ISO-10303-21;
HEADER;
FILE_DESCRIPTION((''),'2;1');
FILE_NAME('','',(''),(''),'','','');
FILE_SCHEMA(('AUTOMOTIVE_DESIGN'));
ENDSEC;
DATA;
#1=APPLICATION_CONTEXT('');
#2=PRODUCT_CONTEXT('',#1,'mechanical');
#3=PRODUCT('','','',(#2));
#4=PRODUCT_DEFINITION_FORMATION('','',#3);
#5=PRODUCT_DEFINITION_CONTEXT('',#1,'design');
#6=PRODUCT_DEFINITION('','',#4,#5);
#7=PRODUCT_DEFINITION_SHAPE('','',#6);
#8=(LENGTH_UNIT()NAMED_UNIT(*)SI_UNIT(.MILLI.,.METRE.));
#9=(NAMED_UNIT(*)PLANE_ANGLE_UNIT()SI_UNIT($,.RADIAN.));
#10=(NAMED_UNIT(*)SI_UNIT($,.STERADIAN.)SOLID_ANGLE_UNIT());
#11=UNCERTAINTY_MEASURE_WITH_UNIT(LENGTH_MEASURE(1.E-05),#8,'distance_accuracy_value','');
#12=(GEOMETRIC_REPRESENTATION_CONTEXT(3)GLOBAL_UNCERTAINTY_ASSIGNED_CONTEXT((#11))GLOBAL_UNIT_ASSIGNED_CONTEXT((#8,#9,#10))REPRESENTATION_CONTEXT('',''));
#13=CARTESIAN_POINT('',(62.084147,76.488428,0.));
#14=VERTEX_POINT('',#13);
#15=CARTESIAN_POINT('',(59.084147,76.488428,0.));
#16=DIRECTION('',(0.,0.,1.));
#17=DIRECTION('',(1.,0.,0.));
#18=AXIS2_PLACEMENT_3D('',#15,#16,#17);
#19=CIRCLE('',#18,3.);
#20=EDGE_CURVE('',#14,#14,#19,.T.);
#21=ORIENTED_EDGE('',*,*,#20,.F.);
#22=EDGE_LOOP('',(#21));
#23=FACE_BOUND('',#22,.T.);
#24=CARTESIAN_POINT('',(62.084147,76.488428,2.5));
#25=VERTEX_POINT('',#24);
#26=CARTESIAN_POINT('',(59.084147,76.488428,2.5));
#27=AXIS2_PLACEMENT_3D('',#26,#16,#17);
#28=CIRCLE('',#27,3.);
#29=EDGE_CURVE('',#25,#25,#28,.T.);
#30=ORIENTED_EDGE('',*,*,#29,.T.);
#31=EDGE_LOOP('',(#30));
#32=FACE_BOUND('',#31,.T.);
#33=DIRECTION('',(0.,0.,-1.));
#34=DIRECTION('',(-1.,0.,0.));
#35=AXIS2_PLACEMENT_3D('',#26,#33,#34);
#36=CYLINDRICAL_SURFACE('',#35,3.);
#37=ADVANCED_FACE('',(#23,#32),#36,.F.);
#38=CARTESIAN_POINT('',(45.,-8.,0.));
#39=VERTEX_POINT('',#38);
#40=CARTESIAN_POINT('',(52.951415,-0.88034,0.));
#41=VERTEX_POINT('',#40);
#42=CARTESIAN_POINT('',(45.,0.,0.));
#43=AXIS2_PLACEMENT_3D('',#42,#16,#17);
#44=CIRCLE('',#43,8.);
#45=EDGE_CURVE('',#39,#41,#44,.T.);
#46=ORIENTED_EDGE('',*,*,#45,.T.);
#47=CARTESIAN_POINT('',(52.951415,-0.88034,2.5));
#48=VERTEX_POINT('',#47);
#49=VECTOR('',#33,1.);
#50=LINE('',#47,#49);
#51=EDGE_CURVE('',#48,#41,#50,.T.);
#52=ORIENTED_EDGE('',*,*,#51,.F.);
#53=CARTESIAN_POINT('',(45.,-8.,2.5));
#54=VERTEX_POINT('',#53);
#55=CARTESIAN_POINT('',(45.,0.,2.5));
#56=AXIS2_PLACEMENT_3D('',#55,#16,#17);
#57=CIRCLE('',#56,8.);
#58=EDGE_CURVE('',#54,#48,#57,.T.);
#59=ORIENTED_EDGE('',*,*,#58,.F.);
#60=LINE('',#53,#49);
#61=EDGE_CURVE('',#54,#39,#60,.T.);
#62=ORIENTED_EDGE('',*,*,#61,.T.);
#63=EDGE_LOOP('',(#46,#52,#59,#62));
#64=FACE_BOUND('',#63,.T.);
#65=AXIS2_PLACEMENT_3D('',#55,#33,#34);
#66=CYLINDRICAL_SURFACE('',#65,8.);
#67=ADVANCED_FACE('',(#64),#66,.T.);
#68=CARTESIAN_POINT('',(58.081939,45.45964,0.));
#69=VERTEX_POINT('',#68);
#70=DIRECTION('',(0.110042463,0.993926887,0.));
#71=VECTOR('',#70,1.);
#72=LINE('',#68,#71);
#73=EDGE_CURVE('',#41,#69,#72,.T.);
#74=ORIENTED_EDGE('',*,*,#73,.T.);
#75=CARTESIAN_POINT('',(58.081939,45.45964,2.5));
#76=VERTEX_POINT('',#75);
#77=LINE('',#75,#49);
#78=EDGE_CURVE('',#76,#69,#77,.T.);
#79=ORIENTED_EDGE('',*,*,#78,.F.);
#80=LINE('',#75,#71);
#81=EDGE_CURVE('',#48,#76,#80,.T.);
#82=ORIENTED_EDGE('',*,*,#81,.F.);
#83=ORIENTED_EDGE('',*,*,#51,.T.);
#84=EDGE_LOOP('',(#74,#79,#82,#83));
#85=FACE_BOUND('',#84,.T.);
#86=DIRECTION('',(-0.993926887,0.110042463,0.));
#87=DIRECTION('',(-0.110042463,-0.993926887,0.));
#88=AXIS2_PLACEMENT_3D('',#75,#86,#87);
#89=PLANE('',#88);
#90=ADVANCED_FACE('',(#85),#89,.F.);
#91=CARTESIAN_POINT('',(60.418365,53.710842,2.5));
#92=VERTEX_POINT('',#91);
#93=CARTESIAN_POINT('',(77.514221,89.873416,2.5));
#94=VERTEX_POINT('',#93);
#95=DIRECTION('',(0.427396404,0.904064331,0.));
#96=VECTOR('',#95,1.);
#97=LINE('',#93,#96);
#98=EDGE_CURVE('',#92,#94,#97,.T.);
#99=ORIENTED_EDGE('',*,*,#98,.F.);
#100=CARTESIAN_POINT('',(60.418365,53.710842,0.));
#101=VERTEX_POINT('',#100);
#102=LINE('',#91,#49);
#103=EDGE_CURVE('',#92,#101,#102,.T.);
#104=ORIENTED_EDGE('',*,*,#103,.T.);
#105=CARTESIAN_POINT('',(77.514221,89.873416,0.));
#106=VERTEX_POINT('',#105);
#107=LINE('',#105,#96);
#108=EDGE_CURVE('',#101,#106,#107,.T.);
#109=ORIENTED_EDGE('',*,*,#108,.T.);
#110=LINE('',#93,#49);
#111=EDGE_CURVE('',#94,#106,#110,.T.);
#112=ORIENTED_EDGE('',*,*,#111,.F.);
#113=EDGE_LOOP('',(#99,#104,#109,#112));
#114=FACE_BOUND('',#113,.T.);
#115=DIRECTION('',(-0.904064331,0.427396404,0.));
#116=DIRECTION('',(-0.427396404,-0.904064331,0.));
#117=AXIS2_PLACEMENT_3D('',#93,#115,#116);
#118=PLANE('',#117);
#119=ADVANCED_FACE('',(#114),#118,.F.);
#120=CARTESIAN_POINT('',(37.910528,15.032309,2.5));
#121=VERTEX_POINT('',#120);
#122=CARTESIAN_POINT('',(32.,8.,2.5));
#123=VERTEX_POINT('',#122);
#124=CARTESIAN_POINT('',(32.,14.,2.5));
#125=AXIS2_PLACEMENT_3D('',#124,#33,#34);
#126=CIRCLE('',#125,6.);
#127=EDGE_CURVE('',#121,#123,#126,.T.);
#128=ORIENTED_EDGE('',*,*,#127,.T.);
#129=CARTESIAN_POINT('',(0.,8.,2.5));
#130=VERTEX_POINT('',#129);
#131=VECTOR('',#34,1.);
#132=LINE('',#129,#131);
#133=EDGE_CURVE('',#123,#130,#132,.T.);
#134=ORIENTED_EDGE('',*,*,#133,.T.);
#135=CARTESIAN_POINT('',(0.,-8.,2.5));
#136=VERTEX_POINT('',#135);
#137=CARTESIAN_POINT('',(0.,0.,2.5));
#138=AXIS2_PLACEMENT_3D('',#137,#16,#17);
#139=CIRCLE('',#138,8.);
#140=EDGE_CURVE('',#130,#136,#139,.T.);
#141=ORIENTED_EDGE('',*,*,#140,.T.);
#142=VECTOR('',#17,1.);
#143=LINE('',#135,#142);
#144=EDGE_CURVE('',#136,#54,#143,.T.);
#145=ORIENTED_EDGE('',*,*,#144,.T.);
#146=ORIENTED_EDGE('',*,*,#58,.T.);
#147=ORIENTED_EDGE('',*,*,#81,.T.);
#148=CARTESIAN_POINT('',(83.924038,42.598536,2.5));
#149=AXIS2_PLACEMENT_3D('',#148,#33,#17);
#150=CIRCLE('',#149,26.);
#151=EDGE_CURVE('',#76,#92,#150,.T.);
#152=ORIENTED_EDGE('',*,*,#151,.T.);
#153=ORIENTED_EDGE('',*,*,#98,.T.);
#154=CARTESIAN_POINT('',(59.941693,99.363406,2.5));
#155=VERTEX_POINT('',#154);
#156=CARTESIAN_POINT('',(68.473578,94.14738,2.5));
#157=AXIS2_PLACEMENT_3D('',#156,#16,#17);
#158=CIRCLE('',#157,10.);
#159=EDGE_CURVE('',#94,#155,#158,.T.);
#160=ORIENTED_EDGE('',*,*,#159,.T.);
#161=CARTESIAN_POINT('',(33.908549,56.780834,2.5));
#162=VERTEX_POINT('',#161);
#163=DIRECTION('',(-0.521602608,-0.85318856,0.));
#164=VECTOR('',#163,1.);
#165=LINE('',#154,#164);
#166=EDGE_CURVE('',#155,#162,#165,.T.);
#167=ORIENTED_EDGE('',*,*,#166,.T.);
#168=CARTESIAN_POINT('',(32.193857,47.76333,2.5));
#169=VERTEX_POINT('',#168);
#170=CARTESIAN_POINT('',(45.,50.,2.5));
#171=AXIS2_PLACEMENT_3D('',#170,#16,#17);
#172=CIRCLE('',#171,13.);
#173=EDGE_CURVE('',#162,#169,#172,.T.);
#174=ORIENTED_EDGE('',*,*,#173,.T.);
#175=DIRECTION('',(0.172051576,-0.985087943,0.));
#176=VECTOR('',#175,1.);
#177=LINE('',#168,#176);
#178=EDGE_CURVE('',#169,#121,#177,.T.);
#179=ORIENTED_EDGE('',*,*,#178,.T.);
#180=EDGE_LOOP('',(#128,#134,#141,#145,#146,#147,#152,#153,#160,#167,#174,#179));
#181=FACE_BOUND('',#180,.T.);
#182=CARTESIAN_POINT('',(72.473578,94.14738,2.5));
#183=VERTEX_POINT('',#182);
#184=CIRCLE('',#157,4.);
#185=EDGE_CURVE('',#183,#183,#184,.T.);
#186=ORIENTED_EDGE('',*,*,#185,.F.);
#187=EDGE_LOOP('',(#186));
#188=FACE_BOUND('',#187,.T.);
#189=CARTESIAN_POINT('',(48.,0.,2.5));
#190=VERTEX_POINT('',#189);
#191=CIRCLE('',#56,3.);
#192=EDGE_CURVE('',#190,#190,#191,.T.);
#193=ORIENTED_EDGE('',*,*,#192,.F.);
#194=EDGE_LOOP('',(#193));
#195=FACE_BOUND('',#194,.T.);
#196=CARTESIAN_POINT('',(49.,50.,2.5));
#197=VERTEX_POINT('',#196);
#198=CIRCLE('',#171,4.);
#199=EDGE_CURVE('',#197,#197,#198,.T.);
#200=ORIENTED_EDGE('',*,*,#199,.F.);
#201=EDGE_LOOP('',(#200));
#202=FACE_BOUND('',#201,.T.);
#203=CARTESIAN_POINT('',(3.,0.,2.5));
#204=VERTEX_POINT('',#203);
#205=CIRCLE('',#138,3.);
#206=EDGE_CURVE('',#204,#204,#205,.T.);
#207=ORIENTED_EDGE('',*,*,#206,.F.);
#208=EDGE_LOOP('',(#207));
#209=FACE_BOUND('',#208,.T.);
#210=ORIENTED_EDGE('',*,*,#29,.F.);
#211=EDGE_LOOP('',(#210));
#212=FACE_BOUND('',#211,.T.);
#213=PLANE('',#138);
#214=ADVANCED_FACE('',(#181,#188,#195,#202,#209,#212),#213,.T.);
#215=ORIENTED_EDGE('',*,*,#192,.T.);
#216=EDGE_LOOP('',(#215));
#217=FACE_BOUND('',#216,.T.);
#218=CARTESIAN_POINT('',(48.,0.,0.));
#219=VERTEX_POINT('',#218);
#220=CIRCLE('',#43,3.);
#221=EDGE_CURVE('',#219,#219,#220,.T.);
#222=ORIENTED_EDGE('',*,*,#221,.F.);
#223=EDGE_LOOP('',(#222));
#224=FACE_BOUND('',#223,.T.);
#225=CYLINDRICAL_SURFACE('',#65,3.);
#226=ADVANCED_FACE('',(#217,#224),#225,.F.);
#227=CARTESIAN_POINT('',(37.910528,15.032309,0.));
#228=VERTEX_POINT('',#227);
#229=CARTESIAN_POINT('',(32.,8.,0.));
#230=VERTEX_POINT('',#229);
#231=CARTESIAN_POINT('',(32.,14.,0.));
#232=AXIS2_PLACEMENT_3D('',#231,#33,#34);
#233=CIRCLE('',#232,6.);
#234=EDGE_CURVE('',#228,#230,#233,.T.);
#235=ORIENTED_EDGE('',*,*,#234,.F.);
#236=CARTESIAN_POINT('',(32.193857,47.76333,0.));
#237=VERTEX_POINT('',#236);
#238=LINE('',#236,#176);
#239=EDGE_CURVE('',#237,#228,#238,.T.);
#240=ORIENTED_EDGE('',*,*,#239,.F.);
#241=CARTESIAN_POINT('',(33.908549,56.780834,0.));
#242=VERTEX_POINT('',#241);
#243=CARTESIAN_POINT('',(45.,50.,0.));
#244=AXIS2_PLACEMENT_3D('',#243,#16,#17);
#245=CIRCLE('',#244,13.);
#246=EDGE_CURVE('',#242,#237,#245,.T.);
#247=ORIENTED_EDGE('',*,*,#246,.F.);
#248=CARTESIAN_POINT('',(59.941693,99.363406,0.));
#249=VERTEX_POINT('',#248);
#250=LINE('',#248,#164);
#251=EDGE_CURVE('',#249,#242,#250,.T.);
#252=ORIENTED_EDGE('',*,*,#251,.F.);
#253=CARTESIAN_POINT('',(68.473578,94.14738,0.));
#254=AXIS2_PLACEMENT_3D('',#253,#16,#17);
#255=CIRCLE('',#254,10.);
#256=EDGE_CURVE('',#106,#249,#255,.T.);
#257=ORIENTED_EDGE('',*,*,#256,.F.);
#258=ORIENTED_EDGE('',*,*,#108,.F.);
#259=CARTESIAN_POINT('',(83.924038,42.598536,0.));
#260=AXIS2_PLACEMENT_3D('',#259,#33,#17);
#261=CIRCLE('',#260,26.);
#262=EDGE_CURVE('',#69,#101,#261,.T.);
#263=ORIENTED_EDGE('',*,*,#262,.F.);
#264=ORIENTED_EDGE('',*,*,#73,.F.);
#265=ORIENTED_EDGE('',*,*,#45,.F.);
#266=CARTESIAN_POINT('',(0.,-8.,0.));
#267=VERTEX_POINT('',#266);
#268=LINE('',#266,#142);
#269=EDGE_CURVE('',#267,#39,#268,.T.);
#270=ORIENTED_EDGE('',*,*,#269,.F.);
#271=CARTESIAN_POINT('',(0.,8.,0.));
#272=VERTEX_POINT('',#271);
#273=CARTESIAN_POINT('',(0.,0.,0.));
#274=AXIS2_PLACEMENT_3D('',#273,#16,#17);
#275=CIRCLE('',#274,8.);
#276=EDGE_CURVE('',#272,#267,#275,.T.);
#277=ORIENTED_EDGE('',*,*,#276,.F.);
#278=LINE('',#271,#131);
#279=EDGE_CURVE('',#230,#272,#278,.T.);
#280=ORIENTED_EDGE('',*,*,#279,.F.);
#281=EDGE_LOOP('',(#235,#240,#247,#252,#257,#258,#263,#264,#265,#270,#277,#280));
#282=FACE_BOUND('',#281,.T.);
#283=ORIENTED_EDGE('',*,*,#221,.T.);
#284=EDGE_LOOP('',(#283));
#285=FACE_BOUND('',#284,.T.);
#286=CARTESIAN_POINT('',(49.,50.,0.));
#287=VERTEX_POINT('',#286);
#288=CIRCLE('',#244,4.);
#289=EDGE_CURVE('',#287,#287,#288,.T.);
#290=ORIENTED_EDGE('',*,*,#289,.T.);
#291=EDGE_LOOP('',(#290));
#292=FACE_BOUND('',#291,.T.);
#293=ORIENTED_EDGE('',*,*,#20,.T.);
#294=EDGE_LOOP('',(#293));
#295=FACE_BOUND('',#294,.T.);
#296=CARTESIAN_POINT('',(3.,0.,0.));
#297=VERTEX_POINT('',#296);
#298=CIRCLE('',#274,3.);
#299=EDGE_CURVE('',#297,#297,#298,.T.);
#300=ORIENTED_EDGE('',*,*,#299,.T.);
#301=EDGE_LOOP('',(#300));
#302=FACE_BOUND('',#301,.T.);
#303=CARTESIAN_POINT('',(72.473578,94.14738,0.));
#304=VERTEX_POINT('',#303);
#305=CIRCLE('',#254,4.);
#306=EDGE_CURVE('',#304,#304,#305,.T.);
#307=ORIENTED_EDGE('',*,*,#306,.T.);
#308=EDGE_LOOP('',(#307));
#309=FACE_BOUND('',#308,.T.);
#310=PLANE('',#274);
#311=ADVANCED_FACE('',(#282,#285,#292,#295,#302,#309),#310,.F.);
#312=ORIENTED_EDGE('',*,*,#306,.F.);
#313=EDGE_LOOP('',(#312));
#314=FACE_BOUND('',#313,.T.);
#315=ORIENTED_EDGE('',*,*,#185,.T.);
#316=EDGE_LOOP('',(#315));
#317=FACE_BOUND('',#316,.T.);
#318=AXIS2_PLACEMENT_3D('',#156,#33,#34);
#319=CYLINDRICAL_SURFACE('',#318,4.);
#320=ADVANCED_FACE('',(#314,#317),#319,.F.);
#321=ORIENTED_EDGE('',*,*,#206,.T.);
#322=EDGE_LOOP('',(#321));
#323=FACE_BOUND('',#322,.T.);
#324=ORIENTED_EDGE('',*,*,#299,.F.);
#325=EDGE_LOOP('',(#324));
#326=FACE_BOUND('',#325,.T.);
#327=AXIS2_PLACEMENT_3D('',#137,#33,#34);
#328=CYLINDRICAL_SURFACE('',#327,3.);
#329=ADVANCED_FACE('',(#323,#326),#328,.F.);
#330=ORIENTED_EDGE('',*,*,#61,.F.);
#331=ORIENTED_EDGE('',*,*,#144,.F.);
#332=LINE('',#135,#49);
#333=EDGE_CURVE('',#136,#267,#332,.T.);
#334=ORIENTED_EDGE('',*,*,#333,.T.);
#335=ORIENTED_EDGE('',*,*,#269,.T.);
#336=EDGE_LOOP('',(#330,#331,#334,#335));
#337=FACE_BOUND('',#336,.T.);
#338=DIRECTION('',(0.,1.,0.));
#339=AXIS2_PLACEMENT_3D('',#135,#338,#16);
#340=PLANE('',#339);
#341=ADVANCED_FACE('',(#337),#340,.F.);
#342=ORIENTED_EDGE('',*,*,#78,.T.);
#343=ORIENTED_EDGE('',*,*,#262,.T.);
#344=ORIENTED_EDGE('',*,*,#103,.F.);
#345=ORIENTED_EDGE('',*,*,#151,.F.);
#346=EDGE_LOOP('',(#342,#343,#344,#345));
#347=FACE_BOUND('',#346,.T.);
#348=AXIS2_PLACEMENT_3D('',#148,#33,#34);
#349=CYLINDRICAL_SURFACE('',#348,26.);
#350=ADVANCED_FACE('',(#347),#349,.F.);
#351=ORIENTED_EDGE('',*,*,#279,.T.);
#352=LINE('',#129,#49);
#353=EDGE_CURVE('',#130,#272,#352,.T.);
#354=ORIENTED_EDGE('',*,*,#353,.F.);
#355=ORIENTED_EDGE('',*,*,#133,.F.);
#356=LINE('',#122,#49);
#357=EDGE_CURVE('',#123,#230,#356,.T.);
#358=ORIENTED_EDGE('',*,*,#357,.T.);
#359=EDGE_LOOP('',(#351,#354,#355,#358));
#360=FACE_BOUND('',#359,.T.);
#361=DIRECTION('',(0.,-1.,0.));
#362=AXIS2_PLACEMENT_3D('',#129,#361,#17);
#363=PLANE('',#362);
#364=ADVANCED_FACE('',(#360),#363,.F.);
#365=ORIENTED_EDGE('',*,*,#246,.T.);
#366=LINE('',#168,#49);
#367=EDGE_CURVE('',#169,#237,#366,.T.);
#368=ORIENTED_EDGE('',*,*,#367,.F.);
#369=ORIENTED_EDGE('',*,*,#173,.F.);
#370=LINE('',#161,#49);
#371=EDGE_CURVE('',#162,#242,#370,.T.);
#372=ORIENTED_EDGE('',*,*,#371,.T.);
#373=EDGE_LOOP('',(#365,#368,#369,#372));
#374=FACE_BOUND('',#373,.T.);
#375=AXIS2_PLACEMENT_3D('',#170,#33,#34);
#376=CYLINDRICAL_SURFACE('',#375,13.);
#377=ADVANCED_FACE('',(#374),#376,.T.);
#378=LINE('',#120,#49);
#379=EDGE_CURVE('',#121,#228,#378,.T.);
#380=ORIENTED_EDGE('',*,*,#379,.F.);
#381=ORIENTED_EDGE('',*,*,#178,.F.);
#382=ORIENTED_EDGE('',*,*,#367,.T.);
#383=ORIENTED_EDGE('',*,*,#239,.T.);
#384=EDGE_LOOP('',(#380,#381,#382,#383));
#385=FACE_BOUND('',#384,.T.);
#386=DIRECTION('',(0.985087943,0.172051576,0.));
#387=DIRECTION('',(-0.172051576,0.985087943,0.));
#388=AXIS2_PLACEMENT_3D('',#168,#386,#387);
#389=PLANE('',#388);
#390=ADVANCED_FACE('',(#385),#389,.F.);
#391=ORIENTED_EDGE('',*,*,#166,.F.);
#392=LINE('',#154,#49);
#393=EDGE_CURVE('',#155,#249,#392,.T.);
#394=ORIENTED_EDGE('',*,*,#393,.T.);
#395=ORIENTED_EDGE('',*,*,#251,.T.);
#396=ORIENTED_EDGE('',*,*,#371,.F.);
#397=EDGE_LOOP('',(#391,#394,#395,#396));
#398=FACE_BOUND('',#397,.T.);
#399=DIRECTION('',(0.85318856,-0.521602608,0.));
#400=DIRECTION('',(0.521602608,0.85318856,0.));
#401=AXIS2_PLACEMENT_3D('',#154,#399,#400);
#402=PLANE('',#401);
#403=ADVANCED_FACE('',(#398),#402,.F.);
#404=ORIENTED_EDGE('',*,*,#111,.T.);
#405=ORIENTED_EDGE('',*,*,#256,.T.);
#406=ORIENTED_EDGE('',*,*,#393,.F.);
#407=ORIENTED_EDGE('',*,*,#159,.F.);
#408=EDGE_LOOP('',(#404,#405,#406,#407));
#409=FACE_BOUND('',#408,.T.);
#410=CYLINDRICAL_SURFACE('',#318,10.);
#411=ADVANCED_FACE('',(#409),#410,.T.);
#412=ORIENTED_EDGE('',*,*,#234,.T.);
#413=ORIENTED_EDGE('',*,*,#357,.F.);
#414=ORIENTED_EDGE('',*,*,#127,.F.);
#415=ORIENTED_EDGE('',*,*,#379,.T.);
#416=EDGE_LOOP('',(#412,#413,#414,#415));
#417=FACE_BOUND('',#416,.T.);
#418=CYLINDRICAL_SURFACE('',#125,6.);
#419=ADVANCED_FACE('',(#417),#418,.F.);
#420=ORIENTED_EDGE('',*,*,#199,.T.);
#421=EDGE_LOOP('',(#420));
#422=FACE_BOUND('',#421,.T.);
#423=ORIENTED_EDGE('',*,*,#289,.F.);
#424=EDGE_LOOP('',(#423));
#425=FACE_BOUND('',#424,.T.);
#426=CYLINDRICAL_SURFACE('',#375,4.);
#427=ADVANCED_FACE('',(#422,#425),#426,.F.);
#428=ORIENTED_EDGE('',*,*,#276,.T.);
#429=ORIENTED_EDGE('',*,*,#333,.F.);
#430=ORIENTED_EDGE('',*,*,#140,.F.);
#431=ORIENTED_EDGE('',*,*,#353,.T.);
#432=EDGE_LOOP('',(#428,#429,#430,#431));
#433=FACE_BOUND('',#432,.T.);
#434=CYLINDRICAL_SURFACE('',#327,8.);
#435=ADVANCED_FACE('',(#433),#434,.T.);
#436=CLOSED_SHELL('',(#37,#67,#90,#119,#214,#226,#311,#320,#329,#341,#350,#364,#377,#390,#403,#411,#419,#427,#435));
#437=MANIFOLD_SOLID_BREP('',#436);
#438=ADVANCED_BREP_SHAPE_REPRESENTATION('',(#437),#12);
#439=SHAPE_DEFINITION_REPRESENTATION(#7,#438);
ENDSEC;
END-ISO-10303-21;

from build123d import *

# Parameters (mm, degrees)
SKETCH1_R           = 3
SKETCH1_R_2         = 4
BOSS_EXTRUDE1_DEPTH = 2.5


with BuildPart() as part:
    # Sketch1 → Boss-Extrude1 (new body)
    with BuildSketch(Plane.XY):
        with BuildLine():
            Line((0, 8), (32, 8))
            ThreePointArc((32, 8), (36.593139272, 10.139550333), (37.910527657, 15.032309457))
            Line((37.910527657, 15.032309457), (32.193856743, 47.763329509))
            ThreePointArc((32.193856743, 47.763329509), (32.22883707, 52.428455766), (33.908548714, 56.780833899))
            Line((33.908548714, 56.780833899), (59.941692535, 99.363405719))
            ThreePointArc((59.941692535, 99.363405719), (73.225386921, 102.946261009), (77.514221445, 89.873415603))
            Line((77.514221445, 89.873415603), (60.418365287, 53.710842379))
            ThreePointArc((60.418365287, 53.710842379), (58.907618727, 49.682233543), (58.081938825, 45.459639907))
            Line((58.081938825, 45.459639907), (52.951415095, -0.880339702))
            ThreePointArc((52.951415095, -0.880339702), (50.336538316, -5.959979766), (45, -8))
            Line((45, -8), (0, -8))
            ThreePointArc((0, -8), (-8, 0), (0, 8))
        make_face()
        Circle(SKETCH1_R, mode=Mode.SUBTRACT)
        with Locations((45, 0)):
            Circle(SKETCH1_R, mode=Mode.SUBTRACT)
        with Locations((45, 50)):
            Circle(SKETCH1_R_2, mode=Mode.SUBTRACT)
        with Locations((59.084146884, 76.488427786)):
            Circle(SKETCH1_R, mode=Mode.SUBTRACT)
        with Locations((68.473578139, 94.147379643)):
            Circle(SKETCH1_R_2, mode=Mode.SUBTRACT)
    extrude(amount=BOSS_EXTRUDE1_DEPTH)


solid = part.part
